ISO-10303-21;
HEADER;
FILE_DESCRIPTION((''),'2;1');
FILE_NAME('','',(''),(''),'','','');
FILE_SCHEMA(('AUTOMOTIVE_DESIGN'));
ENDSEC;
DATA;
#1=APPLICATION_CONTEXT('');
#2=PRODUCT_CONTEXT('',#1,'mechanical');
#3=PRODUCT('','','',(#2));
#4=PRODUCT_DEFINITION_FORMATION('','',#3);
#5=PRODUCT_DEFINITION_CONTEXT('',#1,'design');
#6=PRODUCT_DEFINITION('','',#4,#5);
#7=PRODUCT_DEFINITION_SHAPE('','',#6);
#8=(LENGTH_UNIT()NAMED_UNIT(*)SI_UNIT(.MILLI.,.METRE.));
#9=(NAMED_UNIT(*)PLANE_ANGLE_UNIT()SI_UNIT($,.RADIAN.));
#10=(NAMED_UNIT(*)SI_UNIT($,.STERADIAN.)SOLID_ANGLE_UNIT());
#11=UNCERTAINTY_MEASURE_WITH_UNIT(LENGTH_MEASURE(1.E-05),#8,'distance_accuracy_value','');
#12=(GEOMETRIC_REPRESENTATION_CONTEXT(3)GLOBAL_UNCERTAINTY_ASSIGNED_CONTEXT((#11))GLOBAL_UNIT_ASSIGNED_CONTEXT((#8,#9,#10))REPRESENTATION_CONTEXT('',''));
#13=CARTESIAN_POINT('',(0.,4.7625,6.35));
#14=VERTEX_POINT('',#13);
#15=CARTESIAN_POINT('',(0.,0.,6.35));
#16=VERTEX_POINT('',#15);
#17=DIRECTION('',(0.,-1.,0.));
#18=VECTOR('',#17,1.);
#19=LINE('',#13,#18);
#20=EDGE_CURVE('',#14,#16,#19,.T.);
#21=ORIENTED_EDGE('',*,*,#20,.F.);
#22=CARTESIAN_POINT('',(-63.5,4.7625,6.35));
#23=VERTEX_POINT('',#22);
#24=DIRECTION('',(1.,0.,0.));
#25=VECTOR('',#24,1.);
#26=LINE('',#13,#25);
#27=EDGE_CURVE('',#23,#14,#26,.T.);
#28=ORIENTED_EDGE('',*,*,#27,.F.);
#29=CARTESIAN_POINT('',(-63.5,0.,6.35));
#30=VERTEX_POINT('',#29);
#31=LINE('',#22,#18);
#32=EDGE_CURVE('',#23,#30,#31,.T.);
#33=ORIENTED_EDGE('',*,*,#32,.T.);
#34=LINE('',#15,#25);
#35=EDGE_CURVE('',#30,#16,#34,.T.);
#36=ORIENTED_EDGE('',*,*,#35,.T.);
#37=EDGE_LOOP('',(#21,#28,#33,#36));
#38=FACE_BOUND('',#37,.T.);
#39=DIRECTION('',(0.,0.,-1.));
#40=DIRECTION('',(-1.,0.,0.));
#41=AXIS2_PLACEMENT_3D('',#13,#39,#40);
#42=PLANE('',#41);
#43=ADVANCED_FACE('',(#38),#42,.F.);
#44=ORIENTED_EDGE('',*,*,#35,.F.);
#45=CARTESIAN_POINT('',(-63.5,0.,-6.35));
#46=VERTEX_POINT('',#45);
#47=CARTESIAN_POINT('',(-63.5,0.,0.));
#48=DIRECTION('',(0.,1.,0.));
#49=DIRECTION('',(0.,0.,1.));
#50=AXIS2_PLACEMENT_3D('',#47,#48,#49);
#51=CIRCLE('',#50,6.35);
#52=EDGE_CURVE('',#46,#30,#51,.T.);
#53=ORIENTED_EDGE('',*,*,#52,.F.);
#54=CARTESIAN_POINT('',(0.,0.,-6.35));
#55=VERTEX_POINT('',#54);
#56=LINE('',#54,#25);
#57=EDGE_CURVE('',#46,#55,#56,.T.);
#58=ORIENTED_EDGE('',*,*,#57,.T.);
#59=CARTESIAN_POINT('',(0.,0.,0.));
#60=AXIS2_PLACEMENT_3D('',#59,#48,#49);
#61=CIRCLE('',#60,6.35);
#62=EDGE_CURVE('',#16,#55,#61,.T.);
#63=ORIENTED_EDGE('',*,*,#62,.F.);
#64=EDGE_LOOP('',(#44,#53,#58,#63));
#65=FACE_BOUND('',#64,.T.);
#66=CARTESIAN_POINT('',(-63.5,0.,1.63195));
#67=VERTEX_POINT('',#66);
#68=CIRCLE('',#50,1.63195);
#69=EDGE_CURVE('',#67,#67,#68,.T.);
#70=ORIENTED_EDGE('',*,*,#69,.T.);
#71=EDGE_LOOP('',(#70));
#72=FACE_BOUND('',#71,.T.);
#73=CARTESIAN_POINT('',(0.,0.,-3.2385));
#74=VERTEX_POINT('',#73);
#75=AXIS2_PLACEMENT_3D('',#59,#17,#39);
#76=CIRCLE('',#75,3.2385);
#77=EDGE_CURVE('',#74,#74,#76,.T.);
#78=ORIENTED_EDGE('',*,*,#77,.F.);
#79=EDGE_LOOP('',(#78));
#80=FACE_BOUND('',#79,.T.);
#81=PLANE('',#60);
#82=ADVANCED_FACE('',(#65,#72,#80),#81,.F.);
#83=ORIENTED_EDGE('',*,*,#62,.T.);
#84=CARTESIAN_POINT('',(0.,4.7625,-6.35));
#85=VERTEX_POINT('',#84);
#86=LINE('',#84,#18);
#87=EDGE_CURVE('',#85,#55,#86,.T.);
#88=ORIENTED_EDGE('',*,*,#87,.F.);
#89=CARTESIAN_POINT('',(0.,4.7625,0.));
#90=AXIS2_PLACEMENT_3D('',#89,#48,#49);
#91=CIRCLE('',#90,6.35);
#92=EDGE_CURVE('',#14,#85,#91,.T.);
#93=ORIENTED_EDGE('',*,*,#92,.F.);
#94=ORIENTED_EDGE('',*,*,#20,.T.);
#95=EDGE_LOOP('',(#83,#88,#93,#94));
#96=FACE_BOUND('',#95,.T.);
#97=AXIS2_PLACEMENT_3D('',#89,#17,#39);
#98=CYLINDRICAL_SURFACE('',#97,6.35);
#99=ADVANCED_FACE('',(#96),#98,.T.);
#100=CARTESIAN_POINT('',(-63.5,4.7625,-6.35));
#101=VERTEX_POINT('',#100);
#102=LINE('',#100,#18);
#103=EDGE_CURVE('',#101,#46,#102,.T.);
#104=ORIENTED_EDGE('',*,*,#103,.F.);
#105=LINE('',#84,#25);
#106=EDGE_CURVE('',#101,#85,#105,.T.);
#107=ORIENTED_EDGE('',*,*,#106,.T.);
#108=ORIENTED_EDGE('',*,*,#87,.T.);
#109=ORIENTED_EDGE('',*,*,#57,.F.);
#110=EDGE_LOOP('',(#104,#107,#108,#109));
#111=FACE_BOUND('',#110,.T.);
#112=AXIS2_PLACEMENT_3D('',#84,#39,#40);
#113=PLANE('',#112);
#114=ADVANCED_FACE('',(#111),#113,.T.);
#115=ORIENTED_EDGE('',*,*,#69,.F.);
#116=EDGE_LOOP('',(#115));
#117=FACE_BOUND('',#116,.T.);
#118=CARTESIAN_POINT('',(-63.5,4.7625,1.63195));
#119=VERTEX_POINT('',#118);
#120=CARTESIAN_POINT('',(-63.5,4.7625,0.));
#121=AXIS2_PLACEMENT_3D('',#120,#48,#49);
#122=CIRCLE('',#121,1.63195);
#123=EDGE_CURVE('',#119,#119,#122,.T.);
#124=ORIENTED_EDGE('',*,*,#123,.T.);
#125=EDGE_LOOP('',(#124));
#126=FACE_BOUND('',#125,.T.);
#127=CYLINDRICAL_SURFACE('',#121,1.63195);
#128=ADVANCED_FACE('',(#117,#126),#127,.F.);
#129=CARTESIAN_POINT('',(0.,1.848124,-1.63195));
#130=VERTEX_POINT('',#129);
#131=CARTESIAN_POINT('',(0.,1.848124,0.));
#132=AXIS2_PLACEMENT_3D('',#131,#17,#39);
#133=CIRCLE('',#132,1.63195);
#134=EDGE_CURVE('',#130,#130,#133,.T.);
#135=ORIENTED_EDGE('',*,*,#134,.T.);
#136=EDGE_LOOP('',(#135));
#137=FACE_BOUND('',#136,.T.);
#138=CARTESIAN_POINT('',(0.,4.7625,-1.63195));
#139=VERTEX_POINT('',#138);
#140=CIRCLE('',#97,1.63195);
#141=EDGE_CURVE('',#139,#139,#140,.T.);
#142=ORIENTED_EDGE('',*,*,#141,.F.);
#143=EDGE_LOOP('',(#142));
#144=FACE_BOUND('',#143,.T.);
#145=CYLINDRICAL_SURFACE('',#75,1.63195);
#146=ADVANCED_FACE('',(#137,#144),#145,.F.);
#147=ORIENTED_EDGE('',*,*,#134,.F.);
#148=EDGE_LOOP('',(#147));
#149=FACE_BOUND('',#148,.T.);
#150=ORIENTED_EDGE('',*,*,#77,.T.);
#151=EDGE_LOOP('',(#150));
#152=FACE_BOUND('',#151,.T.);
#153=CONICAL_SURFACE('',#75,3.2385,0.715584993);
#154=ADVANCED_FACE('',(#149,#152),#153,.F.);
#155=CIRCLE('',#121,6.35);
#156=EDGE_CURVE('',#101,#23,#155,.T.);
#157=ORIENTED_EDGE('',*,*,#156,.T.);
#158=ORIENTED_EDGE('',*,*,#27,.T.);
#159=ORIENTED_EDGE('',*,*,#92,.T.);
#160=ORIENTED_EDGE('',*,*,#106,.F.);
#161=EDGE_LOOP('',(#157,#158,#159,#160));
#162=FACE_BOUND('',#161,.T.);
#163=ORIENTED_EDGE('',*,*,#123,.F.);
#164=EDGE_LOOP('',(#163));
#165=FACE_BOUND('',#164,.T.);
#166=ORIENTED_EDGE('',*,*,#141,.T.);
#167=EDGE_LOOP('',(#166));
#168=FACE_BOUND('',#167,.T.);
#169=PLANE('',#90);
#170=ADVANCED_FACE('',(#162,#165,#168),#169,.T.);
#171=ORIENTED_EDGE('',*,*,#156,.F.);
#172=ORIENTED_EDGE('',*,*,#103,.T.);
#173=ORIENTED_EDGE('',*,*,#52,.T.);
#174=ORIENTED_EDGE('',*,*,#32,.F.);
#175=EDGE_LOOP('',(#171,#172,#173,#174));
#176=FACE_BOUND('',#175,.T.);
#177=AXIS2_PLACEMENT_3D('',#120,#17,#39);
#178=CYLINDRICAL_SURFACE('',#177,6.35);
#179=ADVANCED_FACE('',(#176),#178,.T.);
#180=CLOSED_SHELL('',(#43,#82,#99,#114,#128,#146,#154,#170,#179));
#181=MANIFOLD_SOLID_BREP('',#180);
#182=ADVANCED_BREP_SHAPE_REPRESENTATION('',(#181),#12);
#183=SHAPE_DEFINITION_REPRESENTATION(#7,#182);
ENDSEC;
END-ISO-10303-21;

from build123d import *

# Parameters (mm, degrees)
BOSS_EXTRUDE2_DEPTH                               = 4.7625
F_4_CLEARANCE_HOLE1_D                             = 3.2639
CSK_FOR_4_FLAT_HEAD_SOCKET_CAP_SCREW2_D           = 3.2639
CSK_FOR_4_FLAT_HEAD_SOCKET_CAP_SCREW2_CSINK_D     = 6.477
CSK_FOR_4_FLAT_HEAD_SOCKET_CAP_SCREW2_CSINK_ANGLE = 82


with BuildPart() as part:
    # Sketch1 → Boss-Extrude2 (new body)
    with BuildSketch(Plane(origin=(0, 0, 0), x_dir=(1, 0, 0), z_dir=(0, 1, 0))):
        with BuildLine():
            Line((-63.5, 6.35), (0, 6.35))
            ThreePointArc((0, 6.35), (6.35, 0), (0, -6.35))
            Line((0, -6.35), (-63.5, -6.35))
            ThreePointArc((-63.5, -6.35), (-69.85, 0), (-63.5, 6.35))
        make_face()
    extrude(amount=BOSS_EXTRUDE2_DEPTH)

    # #4 Clearance Hole1 (through all)
    with Locations(Plane(origin=(0, 4.7625, 0), x_dir=(1, 0, 0), z_dir=(0, 1, 0))):
        with Locations((-63.5, 0)):
            Hole(F_4_CLEARANCE_HOLE1_D / 2)

    # CSK for #4 Flat Head Socket Cap Screw2 (through all)
    with Locations(Plane(origin=(0, 0, 0), x_dir=(-1, 0, 0), z_dir=(0, -1, 0))):
        with Locations((0, 0)):
            CounterSinkHole(CSK_FOR_4_FLAT_HEAD_SOCKET_CAP_SCREW2_D / 2, CSK_FOR_4_FLAT_HEAD_SOCKET_CAP_SCREW2_CSINK_D / 2, counter_sink_angle=CSK_FOR_4_FLAT_HEAD_SOCKET_CAP_SCREW2_CSINK_ANGLE)


solid = part.part
